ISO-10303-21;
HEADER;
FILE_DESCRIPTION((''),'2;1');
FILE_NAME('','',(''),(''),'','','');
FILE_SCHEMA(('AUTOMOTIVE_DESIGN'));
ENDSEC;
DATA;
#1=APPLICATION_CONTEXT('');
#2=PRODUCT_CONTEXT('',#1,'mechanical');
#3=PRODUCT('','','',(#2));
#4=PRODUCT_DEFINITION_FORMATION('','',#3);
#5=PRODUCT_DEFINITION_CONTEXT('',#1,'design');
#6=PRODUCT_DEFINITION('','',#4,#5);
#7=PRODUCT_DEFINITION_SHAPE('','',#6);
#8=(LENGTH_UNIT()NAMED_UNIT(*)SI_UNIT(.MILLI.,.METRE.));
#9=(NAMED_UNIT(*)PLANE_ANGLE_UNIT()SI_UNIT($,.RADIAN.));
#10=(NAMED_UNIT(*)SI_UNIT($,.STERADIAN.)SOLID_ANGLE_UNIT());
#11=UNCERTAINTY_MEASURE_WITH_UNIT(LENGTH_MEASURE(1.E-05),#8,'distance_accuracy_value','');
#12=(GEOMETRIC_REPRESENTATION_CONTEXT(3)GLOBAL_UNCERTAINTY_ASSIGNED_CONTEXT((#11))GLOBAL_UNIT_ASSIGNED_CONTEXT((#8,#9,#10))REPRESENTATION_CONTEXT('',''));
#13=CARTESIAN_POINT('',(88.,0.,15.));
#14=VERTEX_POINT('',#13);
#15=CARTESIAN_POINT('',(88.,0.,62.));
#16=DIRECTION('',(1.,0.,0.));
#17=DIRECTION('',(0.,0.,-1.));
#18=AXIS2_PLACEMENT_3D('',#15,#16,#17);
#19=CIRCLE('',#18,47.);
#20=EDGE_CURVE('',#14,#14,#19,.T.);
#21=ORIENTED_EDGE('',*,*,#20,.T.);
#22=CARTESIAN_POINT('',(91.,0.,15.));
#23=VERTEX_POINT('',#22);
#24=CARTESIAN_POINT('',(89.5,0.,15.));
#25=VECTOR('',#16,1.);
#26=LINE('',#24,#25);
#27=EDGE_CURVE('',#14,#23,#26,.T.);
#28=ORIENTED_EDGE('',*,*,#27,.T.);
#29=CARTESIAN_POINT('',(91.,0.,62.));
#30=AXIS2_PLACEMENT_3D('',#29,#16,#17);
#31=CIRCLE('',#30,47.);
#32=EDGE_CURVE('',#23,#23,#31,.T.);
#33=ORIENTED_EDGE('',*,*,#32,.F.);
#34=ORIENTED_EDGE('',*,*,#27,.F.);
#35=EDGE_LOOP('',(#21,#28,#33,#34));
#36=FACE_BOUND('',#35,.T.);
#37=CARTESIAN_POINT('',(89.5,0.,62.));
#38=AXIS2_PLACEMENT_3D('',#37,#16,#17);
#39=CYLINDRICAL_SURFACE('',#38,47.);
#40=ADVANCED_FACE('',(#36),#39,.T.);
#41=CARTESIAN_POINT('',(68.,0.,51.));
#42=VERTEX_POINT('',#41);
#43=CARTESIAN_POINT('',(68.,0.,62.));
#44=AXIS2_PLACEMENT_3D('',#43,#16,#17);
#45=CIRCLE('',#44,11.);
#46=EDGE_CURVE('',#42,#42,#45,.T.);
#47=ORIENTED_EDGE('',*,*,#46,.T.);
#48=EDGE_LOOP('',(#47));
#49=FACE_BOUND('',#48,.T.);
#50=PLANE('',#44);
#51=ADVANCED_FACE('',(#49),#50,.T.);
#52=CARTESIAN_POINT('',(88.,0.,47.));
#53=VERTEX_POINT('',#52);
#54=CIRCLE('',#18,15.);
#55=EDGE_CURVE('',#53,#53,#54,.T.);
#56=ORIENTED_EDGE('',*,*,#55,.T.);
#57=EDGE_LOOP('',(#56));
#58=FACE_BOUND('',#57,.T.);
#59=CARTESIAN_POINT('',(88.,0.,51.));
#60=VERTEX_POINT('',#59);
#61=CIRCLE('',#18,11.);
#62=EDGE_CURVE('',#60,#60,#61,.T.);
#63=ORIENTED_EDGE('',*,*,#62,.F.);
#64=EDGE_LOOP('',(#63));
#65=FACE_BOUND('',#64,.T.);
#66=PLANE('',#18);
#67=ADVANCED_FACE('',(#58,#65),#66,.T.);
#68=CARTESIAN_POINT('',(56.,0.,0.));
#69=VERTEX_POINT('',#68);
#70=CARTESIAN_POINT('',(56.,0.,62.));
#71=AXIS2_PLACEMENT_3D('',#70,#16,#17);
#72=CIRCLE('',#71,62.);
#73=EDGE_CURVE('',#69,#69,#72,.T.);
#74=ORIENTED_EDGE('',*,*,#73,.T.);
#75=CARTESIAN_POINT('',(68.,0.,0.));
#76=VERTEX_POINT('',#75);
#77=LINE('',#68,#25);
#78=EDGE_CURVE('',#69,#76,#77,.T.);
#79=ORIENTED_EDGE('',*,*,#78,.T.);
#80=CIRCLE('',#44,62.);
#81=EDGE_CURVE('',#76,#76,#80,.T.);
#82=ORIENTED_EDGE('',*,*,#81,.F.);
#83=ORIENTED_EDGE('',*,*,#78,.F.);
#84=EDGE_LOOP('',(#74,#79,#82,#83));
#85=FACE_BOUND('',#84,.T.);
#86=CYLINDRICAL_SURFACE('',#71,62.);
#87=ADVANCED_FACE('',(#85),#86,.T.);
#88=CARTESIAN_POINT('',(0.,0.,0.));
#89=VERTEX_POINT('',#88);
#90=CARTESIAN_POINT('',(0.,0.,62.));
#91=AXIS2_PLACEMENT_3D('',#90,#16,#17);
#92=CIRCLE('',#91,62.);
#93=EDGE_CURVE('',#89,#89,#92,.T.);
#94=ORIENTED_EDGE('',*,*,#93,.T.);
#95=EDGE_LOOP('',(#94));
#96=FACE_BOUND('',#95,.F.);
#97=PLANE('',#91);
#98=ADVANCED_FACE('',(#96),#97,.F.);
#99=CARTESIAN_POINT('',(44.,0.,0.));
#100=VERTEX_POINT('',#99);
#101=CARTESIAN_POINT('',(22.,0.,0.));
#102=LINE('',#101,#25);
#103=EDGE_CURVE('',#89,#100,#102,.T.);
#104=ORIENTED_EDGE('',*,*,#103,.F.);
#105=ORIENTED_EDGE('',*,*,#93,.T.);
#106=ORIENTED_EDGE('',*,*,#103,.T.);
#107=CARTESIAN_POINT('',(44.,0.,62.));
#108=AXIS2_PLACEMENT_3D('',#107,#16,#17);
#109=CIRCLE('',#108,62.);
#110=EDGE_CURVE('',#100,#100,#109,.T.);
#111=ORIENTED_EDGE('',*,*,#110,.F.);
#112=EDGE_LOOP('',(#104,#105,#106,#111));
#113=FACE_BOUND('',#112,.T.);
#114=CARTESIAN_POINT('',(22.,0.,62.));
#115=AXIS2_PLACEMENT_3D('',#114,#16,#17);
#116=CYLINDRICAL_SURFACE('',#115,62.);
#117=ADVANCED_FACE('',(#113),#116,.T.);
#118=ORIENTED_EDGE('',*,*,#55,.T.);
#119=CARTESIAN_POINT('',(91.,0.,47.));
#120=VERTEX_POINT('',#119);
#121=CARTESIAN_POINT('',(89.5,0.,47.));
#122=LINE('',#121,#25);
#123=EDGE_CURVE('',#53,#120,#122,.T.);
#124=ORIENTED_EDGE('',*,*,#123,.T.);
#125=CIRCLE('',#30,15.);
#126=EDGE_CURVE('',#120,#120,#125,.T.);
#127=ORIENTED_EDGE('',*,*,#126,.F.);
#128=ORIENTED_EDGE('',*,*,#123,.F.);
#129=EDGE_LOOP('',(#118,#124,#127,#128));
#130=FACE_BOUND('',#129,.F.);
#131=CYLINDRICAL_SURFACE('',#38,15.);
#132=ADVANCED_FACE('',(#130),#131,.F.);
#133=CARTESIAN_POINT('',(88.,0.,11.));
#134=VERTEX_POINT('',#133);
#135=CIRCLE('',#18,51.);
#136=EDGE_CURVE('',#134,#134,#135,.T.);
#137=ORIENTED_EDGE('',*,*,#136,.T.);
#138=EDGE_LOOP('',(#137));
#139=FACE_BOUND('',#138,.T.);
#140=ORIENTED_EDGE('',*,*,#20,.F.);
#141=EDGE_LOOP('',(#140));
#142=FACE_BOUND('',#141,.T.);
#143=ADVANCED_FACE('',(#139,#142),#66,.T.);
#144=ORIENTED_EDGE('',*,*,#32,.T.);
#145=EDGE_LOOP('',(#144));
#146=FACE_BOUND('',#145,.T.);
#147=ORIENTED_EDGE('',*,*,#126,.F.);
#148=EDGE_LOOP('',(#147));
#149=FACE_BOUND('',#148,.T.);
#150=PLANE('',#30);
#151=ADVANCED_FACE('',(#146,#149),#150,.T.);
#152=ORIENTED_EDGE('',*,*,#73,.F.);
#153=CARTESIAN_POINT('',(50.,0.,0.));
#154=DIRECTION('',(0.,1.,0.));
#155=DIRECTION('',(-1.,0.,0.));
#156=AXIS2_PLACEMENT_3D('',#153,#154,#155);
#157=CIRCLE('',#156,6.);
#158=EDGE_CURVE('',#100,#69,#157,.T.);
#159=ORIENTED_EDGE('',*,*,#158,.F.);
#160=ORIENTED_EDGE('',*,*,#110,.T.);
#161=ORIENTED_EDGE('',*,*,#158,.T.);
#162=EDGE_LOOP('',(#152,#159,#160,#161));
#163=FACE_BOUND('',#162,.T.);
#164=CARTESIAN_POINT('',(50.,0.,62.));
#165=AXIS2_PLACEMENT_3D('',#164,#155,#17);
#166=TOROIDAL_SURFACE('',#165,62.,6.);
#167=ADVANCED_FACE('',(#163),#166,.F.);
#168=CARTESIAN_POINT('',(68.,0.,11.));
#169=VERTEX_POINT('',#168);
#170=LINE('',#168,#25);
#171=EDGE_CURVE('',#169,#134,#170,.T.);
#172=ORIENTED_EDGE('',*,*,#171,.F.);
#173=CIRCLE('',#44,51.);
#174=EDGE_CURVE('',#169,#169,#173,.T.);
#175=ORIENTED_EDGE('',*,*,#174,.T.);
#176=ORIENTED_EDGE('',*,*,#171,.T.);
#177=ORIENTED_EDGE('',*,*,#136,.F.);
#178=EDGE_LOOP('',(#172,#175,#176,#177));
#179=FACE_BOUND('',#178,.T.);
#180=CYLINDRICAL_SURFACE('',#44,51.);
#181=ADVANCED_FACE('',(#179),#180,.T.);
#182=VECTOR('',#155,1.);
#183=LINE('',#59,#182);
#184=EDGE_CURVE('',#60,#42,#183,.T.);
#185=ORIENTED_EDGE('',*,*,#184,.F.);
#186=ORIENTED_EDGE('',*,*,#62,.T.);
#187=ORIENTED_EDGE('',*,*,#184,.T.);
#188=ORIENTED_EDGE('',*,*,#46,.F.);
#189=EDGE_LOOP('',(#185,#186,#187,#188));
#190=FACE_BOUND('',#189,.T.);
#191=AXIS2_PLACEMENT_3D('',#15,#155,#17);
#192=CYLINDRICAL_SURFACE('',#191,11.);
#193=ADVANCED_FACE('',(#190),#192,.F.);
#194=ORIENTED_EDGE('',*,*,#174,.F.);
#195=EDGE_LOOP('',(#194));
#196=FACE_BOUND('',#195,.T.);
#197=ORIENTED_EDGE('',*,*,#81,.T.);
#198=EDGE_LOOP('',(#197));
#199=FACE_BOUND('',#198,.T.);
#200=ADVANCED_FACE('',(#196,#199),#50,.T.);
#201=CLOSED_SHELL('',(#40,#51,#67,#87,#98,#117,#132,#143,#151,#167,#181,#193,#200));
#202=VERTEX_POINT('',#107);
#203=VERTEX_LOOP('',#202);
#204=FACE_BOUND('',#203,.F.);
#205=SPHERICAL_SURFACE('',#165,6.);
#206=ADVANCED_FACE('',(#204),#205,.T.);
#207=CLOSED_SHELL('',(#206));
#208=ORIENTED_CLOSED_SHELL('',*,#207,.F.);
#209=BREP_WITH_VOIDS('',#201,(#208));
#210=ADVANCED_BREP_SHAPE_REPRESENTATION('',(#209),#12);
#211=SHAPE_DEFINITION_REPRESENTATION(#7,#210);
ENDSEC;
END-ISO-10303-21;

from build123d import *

# Parameters (mm, degrees)
F0_W   = 44
F0_H   = 62
F0_W_2 = 3
F0_H_2 = 32


with BuildPart() as f1:
    # F0 (on Front) → F1 (revolve)
    with BuildSketch(Plane.XZ):
        with Locations((22, 31)):
            Rectangle(F0_W, F0_H)
        with BuildLine():
            Line((44, 62), (44, 0))
            ThreePointArc((44, 0), (50, 6), (56, 0))
            Line((56, 0), (56, 62))
            ThreePointArc((56, 62), (50, 56), (44, 62))
        make_face()
        Polygon((56, 62), (56, 0), (68, 0), (68, 11), (68, 51), (68, 62), align=None)
        Polygon((68, 51), (68, 11), (88, 11), (88, 15), (88, 47), (88, 51), align=None)
        with Locations((89.5, 31)):
            Rectangle(F0_W_2, F0_H_2)
    revolve(axis=Axis((62, 0, 62), (1, 0, 0)))


solid = f1.part
